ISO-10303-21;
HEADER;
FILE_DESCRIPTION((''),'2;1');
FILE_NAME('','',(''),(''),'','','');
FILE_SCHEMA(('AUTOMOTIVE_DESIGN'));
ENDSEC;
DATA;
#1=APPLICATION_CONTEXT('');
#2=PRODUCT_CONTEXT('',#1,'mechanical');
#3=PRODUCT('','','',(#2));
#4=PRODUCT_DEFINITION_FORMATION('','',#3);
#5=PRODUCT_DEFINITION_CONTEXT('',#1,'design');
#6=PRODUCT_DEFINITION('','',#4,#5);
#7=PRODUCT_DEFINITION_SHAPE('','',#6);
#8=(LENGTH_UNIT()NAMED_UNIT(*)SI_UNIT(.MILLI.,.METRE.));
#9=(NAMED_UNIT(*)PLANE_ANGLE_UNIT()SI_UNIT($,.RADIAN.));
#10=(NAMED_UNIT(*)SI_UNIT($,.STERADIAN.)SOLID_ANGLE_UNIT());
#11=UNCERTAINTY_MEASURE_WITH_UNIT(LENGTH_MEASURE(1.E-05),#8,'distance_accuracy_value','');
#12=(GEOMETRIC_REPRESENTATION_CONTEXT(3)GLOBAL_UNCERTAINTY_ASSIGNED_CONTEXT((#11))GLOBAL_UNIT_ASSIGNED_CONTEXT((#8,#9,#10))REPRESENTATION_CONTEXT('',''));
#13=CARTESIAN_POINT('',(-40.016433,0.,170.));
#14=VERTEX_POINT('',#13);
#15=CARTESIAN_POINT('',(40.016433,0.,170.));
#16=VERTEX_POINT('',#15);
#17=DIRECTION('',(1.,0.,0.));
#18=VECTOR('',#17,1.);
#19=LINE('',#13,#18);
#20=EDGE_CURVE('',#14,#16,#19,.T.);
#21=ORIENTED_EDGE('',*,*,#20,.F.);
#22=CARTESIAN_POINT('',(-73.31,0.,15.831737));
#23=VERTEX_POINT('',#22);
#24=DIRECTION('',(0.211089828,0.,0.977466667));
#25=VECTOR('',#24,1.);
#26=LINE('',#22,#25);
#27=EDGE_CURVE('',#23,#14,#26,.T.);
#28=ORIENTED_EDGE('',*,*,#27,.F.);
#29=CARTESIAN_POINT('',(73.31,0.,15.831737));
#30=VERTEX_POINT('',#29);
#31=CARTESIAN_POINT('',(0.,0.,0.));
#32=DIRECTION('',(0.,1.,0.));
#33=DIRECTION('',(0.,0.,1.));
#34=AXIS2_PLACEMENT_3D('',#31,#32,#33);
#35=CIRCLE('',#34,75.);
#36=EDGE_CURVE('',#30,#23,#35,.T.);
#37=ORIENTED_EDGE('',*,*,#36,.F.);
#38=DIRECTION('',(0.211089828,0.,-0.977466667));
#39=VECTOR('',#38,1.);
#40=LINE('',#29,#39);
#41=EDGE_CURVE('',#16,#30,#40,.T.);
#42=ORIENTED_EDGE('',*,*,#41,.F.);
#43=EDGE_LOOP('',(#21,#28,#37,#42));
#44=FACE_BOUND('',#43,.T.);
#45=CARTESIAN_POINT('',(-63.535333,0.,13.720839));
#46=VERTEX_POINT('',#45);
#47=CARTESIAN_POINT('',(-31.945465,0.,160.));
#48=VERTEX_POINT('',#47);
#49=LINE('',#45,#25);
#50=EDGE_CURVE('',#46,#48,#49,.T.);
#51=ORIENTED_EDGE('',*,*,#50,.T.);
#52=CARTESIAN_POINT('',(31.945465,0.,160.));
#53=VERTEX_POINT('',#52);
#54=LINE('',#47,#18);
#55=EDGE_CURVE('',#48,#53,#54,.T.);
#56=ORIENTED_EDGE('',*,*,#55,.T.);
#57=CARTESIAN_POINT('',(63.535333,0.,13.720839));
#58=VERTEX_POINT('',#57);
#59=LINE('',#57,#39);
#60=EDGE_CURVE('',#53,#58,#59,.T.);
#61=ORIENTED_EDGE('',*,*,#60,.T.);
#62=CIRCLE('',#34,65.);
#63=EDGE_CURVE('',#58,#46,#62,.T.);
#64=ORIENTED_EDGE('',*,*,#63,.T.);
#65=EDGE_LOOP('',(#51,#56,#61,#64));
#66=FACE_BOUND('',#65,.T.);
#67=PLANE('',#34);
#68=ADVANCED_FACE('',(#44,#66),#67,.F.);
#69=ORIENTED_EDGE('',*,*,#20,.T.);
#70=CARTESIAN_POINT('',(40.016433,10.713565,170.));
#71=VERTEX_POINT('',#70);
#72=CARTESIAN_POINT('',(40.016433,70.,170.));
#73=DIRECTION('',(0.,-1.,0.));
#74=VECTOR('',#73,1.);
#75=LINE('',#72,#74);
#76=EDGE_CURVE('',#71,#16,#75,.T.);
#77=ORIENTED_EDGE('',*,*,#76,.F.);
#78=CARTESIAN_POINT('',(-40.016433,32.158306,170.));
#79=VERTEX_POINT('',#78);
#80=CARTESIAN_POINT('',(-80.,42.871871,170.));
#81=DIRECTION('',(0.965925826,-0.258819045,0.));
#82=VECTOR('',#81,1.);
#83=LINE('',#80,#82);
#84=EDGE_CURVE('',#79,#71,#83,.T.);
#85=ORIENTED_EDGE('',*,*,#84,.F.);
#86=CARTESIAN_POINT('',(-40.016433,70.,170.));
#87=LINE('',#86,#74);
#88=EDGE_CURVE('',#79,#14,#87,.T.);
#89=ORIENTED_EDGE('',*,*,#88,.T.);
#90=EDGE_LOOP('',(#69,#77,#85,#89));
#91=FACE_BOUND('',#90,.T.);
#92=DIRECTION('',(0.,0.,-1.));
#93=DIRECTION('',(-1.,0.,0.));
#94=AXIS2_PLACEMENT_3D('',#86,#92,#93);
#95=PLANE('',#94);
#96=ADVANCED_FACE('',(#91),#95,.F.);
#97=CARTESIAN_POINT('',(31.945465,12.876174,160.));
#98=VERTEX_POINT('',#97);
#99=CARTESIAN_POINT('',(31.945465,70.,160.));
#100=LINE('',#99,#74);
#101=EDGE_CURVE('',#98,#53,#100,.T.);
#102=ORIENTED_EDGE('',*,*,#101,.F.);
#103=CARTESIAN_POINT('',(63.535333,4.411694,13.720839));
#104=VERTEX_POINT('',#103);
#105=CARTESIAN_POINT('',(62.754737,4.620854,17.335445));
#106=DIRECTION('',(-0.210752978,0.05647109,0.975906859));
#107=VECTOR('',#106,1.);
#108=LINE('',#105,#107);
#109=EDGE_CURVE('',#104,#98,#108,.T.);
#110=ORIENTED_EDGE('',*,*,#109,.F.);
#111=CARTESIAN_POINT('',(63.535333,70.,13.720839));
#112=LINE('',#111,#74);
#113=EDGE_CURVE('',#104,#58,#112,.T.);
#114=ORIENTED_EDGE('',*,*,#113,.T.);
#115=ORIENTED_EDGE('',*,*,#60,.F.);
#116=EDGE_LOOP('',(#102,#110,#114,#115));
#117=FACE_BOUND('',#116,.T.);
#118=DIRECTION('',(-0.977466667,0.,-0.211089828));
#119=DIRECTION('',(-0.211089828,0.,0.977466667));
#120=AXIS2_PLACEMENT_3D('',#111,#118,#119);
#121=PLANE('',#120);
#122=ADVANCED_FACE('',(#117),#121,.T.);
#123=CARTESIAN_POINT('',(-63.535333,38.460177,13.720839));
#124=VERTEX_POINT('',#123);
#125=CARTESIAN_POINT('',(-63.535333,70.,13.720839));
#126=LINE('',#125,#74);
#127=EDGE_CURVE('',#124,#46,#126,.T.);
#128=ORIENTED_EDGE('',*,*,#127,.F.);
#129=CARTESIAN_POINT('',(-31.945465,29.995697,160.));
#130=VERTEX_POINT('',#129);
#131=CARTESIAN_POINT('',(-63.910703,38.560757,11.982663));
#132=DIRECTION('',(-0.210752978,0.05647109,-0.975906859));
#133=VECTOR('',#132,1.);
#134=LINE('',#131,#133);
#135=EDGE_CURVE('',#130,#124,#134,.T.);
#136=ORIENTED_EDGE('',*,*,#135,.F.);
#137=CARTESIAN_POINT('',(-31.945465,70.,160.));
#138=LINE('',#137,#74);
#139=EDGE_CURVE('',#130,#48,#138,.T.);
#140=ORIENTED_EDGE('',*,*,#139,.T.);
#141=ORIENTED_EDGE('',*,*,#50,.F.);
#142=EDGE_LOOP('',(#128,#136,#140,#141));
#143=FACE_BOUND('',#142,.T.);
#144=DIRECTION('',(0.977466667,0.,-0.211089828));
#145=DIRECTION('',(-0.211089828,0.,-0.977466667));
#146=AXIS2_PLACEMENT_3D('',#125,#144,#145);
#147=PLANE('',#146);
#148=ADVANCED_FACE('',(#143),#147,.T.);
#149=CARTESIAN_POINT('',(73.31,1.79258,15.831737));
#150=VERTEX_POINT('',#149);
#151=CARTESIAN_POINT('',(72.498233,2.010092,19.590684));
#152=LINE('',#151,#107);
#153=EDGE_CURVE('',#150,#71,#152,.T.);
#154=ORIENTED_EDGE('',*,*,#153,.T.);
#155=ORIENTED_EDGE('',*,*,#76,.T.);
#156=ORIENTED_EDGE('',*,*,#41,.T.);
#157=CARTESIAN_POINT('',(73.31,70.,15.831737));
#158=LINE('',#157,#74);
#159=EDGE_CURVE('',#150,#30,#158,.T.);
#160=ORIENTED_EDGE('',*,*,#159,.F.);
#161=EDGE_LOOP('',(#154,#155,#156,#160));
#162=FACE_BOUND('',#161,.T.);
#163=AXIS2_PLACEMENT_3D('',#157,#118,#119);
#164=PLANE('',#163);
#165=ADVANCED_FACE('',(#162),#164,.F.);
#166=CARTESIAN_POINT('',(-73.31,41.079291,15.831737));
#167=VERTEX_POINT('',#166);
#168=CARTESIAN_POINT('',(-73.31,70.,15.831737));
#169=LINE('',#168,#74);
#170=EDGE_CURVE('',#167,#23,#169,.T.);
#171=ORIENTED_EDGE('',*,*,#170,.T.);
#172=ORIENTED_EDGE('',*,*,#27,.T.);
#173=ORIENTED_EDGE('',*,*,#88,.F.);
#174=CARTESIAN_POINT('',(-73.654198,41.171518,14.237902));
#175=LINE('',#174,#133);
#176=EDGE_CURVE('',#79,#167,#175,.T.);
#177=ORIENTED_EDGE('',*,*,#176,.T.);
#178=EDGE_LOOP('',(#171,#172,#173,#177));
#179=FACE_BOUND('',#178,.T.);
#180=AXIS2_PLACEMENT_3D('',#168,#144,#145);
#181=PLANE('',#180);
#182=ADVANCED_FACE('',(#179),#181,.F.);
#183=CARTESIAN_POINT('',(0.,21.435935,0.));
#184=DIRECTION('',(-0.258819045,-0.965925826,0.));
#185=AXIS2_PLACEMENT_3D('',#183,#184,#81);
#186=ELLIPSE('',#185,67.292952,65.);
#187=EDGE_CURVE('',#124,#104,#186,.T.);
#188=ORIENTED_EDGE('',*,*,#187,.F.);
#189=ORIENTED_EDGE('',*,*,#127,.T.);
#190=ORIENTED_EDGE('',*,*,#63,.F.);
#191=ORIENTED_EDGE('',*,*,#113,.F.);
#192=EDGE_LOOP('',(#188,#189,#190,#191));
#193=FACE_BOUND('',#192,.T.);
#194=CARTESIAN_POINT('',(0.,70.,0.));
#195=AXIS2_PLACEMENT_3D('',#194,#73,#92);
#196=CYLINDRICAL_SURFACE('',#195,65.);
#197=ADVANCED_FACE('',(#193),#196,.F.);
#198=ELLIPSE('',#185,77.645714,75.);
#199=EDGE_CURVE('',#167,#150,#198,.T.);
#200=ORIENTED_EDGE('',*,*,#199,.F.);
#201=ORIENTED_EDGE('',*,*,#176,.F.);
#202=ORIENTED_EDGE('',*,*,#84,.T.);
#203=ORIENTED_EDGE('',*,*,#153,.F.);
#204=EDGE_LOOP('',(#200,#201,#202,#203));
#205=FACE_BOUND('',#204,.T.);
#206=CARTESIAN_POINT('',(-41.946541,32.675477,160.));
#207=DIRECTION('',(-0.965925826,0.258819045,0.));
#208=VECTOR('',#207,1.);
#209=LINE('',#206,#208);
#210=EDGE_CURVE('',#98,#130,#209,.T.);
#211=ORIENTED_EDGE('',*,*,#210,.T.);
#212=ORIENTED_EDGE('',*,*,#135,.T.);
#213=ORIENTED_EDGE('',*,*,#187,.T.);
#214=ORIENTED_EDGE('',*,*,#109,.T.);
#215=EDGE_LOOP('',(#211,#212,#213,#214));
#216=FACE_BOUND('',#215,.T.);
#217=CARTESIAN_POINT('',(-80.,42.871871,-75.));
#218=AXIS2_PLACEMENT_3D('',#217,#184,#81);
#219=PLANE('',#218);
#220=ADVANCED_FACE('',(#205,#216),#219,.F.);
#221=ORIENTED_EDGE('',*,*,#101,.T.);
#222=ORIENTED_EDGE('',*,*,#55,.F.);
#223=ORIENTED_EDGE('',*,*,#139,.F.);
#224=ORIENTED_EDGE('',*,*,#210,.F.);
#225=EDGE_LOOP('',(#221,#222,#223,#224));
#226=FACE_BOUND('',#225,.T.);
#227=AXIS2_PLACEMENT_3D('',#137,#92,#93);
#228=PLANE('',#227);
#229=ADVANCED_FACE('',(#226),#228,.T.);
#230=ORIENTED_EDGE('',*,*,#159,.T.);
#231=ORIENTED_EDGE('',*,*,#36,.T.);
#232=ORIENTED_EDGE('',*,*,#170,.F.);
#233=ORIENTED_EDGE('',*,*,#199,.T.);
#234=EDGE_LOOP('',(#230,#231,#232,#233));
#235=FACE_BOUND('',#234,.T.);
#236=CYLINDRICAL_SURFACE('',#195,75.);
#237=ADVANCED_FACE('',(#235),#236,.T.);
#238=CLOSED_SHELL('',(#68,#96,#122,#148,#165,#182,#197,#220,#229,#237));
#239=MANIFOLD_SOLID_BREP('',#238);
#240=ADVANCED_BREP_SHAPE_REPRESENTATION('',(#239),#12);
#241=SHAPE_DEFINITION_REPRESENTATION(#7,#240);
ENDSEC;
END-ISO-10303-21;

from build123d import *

# Parameters (mm, degrees)
EXTRUDE_1_DEPTH     = 70
CUT_EXTRUDE_1_DEPTH = 266.612499706


with BuildPart() as part:
    # 草图1 → 凸台-拉伸1 (new body)
    with BuildSketch(Plane(origin=(0, 0, 0), x_dir=(1, 0, 0), z_dir=(0, 1, 0))):
        with BuildLine():
            Line((-73.31, -15.831737113), (-40.016432831, -170))
            Line((-40.016432831, -170), (40.016432831, -170))
            Line((40.016432831, -170), (73.31, -15.831737113))
            ThreePointArc((73.31, -15.831737113), (0, 75), (-73.31, -15.831737113))
        make_face()
        with BuildLine():
            Line((-63.535333333, -13.720838831), (-31.945465312, -160))
            Line((-31.945465312, -160), (31.945465312, -160))
            Line((31.945465312, -160), (63.535333333, -13.720838831))
            ThreePointArc((63.535333333, -13.720838831), (0, 65), (-63.535333333, -13.720838831))
        make_face(mode=Mode.SUBTRACT)
    extrude(amount=EXTRUDE_1_DEPTH)

    # 草图2 → 切除-拉伸1 (cut, through all)
    with BuildSketch(Plane.XY.offset(170)):
        Polygon((-80, 42.871870789), (80, 0), (80, 71.175543423), (-80, 71.175543423), align=None)
    extrude(amount=-CUT_EXTRUDE_1_DEPTH, mode=Mode.SUBTRACT)


solid = part.part
